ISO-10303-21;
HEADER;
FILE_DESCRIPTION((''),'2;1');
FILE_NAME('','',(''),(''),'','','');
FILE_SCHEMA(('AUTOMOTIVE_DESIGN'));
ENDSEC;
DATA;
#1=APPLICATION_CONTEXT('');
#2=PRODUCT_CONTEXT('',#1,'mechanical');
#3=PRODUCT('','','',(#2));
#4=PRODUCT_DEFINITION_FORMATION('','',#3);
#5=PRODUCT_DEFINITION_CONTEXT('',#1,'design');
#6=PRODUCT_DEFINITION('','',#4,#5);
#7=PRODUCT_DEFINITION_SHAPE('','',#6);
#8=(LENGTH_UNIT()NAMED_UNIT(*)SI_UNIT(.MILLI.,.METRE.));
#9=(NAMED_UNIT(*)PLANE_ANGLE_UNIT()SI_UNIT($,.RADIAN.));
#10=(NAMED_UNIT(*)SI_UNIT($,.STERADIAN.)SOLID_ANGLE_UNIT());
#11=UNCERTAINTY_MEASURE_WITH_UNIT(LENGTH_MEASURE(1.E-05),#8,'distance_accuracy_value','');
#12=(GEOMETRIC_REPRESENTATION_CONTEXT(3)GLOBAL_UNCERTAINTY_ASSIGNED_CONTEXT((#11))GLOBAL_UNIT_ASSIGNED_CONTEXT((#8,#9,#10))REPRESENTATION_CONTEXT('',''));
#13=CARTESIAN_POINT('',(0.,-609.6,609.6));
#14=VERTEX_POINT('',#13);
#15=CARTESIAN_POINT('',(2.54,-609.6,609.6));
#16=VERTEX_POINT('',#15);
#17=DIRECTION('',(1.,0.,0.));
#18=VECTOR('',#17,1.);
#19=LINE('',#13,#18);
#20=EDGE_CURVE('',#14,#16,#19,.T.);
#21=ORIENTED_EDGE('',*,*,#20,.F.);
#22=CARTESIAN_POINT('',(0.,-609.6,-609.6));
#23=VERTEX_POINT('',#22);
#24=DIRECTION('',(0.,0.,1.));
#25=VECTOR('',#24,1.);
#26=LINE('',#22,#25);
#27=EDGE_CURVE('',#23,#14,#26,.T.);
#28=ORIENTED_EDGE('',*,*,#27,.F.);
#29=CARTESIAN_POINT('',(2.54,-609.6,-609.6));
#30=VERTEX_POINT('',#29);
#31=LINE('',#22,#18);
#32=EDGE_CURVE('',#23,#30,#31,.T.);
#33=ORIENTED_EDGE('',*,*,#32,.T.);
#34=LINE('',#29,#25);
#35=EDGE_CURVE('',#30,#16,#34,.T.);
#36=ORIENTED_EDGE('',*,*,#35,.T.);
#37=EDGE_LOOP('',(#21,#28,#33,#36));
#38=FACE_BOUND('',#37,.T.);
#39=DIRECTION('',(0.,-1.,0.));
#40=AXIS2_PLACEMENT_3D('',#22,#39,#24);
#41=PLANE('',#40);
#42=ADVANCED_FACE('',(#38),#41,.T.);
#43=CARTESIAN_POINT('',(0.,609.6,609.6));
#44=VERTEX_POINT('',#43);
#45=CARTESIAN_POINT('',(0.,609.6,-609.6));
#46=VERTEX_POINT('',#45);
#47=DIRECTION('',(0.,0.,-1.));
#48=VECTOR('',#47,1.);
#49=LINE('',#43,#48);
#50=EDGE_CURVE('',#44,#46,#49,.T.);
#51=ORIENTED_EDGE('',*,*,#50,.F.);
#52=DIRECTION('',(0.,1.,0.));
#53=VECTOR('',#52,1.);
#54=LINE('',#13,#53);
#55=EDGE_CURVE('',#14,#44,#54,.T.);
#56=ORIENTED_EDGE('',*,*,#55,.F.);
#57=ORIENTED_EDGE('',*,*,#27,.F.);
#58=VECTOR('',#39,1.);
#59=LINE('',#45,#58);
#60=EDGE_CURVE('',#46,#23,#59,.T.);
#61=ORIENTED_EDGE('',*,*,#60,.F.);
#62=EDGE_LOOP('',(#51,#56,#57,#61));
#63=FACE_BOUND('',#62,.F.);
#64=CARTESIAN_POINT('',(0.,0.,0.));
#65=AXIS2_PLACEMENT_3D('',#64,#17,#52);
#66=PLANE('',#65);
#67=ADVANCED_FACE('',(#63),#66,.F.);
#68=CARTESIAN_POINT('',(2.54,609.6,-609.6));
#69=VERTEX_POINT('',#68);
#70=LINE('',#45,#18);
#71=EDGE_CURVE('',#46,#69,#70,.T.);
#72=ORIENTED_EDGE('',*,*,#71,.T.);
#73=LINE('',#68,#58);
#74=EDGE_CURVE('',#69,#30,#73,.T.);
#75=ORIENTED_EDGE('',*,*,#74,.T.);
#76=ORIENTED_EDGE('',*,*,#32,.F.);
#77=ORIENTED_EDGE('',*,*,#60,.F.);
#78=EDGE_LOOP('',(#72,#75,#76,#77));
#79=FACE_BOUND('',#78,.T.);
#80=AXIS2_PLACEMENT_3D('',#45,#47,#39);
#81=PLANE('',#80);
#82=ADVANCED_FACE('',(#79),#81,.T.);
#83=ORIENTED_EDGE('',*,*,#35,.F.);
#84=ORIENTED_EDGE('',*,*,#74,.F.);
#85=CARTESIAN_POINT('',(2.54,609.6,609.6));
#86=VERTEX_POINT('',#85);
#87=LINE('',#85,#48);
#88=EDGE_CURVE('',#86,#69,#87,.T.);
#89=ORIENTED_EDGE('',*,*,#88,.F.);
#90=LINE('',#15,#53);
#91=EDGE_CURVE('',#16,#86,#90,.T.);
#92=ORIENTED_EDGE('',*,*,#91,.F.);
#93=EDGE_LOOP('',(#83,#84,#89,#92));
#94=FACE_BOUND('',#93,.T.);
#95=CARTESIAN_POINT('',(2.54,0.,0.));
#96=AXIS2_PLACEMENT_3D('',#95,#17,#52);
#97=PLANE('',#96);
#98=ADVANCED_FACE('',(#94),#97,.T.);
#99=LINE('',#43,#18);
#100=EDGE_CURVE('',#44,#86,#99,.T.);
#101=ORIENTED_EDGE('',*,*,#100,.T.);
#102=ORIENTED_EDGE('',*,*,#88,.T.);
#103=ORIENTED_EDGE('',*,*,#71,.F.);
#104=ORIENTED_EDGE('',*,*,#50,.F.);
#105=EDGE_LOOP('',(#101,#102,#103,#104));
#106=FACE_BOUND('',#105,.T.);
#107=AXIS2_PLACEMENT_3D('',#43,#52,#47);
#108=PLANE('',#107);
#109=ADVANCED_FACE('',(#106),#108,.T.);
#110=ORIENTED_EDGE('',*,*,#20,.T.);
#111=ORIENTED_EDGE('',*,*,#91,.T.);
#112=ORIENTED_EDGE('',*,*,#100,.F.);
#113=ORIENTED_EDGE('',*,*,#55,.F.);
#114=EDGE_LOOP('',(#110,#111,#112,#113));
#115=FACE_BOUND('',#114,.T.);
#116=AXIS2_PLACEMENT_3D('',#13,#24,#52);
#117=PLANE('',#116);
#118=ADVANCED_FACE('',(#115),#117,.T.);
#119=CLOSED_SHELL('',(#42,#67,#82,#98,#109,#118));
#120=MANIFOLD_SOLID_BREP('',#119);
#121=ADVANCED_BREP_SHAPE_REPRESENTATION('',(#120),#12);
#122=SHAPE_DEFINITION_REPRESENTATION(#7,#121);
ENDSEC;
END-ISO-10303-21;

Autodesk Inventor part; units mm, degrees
ref_plane "YZ Plane" through (0, 0, 0) normal (1, 0, 0) x (0, 1, 0)
ref_plane "XZ Plane" through (0, 0, 0) normal (0, 1, 0) x (-1, 0, 0)
ref_plane "XY Plane" through (0, 0, 0) normal (0, 0, 1) x (1, 0, 0)
sketch "Sketch1" plane through (0, 0, 0) normal (1, 0, 0) x (0, 1, 0)
  line L0 (-609.6, 609.6) -> (609.6, 609.6)
  line L1 (609.6, 609.6) -> (609.6, -609.6)
  line L2 (609.6, -609.6) -> (-609.6, -609.6)
  line L3 (-609.6, -609.6) -> (-609.6, 609.6)
  line L4 (-609.6, 609.6) -> (609.6, -609.6) construction
  line L5 (609.6, 609.6) -> (-609.6, -609.6) construction
  point P0 (0, 0)
  dimension "d0" = 1219.2
  dimension "d1" = 1219.2
extrude "Extrusion1" add sketch "Sketch1" along normal blind 2.54
properties part number "White Board"
